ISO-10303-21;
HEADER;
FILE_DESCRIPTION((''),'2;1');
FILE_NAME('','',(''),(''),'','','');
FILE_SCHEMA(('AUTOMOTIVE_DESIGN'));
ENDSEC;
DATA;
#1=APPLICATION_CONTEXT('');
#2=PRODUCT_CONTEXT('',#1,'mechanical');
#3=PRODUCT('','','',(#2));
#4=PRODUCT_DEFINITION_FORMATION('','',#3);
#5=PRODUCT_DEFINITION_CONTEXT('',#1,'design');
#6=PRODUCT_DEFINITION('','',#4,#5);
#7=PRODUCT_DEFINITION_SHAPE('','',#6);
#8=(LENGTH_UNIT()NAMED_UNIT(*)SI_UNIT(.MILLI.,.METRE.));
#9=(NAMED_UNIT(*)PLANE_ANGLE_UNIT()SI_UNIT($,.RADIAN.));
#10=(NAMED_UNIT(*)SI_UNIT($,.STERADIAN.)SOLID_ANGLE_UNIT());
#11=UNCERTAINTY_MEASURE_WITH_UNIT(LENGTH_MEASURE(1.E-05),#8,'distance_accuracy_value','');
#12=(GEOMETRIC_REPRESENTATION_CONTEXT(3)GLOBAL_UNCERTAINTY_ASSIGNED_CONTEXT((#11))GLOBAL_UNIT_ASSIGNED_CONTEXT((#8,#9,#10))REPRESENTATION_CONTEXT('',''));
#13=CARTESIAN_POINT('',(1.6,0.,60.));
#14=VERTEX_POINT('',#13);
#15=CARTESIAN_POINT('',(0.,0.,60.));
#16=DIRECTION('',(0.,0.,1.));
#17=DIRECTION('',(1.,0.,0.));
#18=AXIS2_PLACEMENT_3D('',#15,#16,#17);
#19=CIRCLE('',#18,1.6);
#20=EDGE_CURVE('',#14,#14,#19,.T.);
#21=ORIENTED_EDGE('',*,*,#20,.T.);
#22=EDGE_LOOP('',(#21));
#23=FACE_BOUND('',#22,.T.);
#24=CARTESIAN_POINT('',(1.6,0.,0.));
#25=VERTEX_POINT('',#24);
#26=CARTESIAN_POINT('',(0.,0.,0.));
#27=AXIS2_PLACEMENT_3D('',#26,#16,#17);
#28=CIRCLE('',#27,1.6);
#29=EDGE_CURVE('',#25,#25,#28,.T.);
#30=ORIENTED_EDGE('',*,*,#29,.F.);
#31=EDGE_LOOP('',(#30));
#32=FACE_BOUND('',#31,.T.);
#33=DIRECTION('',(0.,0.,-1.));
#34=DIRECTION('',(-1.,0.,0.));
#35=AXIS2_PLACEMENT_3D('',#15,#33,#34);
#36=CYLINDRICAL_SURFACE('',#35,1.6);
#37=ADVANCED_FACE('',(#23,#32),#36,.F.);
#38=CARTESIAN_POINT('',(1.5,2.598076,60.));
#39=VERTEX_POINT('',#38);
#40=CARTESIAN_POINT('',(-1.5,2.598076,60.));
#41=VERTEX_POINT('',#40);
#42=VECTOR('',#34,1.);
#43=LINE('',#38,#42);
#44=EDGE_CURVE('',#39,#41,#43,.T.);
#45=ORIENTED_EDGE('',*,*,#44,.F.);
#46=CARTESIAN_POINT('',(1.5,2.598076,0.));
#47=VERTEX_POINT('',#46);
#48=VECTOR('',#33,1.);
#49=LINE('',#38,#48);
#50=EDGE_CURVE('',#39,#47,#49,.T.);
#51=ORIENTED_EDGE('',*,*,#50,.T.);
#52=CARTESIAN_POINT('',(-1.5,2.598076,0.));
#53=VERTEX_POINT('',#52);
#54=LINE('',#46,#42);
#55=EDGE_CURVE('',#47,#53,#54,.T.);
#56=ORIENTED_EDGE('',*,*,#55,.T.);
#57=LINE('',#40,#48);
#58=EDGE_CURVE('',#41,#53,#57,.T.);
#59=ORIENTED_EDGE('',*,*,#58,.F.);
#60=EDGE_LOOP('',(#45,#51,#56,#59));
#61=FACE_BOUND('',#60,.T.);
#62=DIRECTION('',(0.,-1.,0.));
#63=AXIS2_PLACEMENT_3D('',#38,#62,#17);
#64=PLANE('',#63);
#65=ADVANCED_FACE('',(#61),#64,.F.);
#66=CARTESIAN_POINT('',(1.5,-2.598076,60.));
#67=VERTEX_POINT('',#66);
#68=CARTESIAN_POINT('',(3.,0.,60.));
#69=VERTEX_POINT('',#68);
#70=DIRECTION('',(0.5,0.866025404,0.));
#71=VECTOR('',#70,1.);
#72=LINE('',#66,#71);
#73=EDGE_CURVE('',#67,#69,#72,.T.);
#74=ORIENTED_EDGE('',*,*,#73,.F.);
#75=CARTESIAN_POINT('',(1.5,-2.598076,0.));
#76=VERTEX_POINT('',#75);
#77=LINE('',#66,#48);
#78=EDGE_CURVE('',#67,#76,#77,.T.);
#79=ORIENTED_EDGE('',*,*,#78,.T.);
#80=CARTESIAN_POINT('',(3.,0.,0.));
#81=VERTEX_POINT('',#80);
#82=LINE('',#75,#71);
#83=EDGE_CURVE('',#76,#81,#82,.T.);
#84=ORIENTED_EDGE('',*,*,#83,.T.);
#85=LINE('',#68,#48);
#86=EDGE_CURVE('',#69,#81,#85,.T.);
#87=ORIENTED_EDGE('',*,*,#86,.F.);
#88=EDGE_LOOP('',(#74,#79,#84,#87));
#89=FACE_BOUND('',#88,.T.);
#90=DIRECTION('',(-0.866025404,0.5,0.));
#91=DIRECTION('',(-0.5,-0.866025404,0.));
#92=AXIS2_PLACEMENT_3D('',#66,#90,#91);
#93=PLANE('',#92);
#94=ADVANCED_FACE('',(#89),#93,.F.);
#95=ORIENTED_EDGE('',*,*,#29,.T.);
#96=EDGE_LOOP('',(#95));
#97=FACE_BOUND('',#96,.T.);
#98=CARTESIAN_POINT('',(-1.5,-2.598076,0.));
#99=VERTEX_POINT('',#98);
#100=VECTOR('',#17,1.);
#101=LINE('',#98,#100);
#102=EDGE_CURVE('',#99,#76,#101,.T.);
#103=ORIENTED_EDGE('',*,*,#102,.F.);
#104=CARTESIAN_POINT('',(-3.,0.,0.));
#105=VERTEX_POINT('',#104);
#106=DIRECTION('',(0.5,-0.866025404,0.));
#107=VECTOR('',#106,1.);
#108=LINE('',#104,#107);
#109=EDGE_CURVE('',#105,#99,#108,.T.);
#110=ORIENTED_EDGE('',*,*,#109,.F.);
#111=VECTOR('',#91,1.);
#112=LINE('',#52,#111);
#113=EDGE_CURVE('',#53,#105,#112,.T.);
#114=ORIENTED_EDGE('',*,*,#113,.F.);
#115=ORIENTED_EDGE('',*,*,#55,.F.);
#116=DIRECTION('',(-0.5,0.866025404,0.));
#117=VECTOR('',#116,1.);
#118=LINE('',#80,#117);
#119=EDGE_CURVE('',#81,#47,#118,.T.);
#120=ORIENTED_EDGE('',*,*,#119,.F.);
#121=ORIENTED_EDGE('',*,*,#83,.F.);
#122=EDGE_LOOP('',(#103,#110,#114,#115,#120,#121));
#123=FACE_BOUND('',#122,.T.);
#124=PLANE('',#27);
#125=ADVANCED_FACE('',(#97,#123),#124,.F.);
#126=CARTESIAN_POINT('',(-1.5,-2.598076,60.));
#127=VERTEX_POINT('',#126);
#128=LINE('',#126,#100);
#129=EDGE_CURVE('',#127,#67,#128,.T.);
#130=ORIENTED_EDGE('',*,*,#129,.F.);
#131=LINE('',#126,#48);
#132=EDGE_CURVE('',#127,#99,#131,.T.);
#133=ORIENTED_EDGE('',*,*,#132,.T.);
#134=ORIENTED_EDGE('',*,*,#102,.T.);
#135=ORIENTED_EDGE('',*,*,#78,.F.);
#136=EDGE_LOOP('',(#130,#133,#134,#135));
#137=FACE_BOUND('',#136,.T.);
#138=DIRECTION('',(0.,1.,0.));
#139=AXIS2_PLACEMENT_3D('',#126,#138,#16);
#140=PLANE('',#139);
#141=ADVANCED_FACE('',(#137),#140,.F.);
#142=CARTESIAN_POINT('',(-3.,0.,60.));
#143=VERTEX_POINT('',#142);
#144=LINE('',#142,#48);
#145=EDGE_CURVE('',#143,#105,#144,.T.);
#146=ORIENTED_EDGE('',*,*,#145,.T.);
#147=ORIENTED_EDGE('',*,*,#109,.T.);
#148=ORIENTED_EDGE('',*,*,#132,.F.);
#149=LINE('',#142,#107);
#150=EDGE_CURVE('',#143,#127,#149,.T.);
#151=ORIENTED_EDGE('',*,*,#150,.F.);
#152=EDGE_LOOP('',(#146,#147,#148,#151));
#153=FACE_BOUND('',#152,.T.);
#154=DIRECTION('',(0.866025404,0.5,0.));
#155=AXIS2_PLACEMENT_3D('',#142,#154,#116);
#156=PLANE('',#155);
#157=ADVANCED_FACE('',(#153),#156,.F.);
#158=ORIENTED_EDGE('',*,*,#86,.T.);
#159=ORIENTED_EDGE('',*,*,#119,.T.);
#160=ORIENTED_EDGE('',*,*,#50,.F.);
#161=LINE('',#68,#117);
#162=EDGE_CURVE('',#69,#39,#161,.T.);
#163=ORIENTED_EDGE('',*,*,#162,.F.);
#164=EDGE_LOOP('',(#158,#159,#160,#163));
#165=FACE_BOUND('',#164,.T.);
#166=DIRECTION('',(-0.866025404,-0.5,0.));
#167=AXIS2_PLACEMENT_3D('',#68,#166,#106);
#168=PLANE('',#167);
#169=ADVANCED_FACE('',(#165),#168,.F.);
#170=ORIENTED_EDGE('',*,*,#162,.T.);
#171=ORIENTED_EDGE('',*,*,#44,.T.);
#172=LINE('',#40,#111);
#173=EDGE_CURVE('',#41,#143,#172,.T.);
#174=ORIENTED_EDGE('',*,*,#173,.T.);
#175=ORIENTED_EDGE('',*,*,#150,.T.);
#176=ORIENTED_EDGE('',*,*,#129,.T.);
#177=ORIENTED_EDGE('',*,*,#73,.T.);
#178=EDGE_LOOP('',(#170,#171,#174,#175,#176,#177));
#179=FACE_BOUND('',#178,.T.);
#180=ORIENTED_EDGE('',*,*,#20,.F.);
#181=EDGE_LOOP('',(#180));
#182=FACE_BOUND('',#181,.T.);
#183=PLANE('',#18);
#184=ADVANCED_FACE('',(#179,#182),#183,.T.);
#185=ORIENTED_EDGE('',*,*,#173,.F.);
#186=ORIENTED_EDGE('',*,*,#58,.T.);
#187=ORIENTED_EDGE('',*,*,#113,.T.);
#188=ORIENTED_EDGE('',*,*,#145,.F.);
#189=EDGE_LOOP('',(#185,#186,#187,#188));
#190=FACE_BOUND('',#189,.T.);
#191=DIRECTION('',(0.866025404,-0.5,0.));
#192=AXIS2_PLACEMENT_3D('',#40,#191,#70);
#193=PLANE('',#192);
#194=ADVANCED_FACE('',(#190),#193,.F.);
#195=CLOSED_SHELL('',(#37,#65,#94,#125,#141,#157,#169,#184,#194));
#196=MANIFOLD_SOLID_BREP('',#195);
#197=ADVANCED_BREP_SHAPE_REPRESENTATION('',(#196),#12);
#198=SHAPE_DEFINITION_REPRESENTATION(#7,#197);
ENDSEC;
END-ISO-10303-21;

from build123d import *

# Parameters (mm, degrees)
SKETCH_1_R      = 1.6
EXTRUDE_1_DEPTH = 60


with BuildPart() as part:
    # 草图1 → 凸台-拉伸1 (new body)
    with BuildSketch(Plane.XY):
        Polygon((3, 0), (1.5, 2.598076211), (-1.5, 2.598076211), (-3, 0), (-1.5, -2.598076211), (1.5, -2.598076211), align=None)
        Circle(SKETCH_1_R, mode=Mode.SUBTRACT)
    extrude(amount=EXTRUDE_1_DEPTH)


solid = part.part
